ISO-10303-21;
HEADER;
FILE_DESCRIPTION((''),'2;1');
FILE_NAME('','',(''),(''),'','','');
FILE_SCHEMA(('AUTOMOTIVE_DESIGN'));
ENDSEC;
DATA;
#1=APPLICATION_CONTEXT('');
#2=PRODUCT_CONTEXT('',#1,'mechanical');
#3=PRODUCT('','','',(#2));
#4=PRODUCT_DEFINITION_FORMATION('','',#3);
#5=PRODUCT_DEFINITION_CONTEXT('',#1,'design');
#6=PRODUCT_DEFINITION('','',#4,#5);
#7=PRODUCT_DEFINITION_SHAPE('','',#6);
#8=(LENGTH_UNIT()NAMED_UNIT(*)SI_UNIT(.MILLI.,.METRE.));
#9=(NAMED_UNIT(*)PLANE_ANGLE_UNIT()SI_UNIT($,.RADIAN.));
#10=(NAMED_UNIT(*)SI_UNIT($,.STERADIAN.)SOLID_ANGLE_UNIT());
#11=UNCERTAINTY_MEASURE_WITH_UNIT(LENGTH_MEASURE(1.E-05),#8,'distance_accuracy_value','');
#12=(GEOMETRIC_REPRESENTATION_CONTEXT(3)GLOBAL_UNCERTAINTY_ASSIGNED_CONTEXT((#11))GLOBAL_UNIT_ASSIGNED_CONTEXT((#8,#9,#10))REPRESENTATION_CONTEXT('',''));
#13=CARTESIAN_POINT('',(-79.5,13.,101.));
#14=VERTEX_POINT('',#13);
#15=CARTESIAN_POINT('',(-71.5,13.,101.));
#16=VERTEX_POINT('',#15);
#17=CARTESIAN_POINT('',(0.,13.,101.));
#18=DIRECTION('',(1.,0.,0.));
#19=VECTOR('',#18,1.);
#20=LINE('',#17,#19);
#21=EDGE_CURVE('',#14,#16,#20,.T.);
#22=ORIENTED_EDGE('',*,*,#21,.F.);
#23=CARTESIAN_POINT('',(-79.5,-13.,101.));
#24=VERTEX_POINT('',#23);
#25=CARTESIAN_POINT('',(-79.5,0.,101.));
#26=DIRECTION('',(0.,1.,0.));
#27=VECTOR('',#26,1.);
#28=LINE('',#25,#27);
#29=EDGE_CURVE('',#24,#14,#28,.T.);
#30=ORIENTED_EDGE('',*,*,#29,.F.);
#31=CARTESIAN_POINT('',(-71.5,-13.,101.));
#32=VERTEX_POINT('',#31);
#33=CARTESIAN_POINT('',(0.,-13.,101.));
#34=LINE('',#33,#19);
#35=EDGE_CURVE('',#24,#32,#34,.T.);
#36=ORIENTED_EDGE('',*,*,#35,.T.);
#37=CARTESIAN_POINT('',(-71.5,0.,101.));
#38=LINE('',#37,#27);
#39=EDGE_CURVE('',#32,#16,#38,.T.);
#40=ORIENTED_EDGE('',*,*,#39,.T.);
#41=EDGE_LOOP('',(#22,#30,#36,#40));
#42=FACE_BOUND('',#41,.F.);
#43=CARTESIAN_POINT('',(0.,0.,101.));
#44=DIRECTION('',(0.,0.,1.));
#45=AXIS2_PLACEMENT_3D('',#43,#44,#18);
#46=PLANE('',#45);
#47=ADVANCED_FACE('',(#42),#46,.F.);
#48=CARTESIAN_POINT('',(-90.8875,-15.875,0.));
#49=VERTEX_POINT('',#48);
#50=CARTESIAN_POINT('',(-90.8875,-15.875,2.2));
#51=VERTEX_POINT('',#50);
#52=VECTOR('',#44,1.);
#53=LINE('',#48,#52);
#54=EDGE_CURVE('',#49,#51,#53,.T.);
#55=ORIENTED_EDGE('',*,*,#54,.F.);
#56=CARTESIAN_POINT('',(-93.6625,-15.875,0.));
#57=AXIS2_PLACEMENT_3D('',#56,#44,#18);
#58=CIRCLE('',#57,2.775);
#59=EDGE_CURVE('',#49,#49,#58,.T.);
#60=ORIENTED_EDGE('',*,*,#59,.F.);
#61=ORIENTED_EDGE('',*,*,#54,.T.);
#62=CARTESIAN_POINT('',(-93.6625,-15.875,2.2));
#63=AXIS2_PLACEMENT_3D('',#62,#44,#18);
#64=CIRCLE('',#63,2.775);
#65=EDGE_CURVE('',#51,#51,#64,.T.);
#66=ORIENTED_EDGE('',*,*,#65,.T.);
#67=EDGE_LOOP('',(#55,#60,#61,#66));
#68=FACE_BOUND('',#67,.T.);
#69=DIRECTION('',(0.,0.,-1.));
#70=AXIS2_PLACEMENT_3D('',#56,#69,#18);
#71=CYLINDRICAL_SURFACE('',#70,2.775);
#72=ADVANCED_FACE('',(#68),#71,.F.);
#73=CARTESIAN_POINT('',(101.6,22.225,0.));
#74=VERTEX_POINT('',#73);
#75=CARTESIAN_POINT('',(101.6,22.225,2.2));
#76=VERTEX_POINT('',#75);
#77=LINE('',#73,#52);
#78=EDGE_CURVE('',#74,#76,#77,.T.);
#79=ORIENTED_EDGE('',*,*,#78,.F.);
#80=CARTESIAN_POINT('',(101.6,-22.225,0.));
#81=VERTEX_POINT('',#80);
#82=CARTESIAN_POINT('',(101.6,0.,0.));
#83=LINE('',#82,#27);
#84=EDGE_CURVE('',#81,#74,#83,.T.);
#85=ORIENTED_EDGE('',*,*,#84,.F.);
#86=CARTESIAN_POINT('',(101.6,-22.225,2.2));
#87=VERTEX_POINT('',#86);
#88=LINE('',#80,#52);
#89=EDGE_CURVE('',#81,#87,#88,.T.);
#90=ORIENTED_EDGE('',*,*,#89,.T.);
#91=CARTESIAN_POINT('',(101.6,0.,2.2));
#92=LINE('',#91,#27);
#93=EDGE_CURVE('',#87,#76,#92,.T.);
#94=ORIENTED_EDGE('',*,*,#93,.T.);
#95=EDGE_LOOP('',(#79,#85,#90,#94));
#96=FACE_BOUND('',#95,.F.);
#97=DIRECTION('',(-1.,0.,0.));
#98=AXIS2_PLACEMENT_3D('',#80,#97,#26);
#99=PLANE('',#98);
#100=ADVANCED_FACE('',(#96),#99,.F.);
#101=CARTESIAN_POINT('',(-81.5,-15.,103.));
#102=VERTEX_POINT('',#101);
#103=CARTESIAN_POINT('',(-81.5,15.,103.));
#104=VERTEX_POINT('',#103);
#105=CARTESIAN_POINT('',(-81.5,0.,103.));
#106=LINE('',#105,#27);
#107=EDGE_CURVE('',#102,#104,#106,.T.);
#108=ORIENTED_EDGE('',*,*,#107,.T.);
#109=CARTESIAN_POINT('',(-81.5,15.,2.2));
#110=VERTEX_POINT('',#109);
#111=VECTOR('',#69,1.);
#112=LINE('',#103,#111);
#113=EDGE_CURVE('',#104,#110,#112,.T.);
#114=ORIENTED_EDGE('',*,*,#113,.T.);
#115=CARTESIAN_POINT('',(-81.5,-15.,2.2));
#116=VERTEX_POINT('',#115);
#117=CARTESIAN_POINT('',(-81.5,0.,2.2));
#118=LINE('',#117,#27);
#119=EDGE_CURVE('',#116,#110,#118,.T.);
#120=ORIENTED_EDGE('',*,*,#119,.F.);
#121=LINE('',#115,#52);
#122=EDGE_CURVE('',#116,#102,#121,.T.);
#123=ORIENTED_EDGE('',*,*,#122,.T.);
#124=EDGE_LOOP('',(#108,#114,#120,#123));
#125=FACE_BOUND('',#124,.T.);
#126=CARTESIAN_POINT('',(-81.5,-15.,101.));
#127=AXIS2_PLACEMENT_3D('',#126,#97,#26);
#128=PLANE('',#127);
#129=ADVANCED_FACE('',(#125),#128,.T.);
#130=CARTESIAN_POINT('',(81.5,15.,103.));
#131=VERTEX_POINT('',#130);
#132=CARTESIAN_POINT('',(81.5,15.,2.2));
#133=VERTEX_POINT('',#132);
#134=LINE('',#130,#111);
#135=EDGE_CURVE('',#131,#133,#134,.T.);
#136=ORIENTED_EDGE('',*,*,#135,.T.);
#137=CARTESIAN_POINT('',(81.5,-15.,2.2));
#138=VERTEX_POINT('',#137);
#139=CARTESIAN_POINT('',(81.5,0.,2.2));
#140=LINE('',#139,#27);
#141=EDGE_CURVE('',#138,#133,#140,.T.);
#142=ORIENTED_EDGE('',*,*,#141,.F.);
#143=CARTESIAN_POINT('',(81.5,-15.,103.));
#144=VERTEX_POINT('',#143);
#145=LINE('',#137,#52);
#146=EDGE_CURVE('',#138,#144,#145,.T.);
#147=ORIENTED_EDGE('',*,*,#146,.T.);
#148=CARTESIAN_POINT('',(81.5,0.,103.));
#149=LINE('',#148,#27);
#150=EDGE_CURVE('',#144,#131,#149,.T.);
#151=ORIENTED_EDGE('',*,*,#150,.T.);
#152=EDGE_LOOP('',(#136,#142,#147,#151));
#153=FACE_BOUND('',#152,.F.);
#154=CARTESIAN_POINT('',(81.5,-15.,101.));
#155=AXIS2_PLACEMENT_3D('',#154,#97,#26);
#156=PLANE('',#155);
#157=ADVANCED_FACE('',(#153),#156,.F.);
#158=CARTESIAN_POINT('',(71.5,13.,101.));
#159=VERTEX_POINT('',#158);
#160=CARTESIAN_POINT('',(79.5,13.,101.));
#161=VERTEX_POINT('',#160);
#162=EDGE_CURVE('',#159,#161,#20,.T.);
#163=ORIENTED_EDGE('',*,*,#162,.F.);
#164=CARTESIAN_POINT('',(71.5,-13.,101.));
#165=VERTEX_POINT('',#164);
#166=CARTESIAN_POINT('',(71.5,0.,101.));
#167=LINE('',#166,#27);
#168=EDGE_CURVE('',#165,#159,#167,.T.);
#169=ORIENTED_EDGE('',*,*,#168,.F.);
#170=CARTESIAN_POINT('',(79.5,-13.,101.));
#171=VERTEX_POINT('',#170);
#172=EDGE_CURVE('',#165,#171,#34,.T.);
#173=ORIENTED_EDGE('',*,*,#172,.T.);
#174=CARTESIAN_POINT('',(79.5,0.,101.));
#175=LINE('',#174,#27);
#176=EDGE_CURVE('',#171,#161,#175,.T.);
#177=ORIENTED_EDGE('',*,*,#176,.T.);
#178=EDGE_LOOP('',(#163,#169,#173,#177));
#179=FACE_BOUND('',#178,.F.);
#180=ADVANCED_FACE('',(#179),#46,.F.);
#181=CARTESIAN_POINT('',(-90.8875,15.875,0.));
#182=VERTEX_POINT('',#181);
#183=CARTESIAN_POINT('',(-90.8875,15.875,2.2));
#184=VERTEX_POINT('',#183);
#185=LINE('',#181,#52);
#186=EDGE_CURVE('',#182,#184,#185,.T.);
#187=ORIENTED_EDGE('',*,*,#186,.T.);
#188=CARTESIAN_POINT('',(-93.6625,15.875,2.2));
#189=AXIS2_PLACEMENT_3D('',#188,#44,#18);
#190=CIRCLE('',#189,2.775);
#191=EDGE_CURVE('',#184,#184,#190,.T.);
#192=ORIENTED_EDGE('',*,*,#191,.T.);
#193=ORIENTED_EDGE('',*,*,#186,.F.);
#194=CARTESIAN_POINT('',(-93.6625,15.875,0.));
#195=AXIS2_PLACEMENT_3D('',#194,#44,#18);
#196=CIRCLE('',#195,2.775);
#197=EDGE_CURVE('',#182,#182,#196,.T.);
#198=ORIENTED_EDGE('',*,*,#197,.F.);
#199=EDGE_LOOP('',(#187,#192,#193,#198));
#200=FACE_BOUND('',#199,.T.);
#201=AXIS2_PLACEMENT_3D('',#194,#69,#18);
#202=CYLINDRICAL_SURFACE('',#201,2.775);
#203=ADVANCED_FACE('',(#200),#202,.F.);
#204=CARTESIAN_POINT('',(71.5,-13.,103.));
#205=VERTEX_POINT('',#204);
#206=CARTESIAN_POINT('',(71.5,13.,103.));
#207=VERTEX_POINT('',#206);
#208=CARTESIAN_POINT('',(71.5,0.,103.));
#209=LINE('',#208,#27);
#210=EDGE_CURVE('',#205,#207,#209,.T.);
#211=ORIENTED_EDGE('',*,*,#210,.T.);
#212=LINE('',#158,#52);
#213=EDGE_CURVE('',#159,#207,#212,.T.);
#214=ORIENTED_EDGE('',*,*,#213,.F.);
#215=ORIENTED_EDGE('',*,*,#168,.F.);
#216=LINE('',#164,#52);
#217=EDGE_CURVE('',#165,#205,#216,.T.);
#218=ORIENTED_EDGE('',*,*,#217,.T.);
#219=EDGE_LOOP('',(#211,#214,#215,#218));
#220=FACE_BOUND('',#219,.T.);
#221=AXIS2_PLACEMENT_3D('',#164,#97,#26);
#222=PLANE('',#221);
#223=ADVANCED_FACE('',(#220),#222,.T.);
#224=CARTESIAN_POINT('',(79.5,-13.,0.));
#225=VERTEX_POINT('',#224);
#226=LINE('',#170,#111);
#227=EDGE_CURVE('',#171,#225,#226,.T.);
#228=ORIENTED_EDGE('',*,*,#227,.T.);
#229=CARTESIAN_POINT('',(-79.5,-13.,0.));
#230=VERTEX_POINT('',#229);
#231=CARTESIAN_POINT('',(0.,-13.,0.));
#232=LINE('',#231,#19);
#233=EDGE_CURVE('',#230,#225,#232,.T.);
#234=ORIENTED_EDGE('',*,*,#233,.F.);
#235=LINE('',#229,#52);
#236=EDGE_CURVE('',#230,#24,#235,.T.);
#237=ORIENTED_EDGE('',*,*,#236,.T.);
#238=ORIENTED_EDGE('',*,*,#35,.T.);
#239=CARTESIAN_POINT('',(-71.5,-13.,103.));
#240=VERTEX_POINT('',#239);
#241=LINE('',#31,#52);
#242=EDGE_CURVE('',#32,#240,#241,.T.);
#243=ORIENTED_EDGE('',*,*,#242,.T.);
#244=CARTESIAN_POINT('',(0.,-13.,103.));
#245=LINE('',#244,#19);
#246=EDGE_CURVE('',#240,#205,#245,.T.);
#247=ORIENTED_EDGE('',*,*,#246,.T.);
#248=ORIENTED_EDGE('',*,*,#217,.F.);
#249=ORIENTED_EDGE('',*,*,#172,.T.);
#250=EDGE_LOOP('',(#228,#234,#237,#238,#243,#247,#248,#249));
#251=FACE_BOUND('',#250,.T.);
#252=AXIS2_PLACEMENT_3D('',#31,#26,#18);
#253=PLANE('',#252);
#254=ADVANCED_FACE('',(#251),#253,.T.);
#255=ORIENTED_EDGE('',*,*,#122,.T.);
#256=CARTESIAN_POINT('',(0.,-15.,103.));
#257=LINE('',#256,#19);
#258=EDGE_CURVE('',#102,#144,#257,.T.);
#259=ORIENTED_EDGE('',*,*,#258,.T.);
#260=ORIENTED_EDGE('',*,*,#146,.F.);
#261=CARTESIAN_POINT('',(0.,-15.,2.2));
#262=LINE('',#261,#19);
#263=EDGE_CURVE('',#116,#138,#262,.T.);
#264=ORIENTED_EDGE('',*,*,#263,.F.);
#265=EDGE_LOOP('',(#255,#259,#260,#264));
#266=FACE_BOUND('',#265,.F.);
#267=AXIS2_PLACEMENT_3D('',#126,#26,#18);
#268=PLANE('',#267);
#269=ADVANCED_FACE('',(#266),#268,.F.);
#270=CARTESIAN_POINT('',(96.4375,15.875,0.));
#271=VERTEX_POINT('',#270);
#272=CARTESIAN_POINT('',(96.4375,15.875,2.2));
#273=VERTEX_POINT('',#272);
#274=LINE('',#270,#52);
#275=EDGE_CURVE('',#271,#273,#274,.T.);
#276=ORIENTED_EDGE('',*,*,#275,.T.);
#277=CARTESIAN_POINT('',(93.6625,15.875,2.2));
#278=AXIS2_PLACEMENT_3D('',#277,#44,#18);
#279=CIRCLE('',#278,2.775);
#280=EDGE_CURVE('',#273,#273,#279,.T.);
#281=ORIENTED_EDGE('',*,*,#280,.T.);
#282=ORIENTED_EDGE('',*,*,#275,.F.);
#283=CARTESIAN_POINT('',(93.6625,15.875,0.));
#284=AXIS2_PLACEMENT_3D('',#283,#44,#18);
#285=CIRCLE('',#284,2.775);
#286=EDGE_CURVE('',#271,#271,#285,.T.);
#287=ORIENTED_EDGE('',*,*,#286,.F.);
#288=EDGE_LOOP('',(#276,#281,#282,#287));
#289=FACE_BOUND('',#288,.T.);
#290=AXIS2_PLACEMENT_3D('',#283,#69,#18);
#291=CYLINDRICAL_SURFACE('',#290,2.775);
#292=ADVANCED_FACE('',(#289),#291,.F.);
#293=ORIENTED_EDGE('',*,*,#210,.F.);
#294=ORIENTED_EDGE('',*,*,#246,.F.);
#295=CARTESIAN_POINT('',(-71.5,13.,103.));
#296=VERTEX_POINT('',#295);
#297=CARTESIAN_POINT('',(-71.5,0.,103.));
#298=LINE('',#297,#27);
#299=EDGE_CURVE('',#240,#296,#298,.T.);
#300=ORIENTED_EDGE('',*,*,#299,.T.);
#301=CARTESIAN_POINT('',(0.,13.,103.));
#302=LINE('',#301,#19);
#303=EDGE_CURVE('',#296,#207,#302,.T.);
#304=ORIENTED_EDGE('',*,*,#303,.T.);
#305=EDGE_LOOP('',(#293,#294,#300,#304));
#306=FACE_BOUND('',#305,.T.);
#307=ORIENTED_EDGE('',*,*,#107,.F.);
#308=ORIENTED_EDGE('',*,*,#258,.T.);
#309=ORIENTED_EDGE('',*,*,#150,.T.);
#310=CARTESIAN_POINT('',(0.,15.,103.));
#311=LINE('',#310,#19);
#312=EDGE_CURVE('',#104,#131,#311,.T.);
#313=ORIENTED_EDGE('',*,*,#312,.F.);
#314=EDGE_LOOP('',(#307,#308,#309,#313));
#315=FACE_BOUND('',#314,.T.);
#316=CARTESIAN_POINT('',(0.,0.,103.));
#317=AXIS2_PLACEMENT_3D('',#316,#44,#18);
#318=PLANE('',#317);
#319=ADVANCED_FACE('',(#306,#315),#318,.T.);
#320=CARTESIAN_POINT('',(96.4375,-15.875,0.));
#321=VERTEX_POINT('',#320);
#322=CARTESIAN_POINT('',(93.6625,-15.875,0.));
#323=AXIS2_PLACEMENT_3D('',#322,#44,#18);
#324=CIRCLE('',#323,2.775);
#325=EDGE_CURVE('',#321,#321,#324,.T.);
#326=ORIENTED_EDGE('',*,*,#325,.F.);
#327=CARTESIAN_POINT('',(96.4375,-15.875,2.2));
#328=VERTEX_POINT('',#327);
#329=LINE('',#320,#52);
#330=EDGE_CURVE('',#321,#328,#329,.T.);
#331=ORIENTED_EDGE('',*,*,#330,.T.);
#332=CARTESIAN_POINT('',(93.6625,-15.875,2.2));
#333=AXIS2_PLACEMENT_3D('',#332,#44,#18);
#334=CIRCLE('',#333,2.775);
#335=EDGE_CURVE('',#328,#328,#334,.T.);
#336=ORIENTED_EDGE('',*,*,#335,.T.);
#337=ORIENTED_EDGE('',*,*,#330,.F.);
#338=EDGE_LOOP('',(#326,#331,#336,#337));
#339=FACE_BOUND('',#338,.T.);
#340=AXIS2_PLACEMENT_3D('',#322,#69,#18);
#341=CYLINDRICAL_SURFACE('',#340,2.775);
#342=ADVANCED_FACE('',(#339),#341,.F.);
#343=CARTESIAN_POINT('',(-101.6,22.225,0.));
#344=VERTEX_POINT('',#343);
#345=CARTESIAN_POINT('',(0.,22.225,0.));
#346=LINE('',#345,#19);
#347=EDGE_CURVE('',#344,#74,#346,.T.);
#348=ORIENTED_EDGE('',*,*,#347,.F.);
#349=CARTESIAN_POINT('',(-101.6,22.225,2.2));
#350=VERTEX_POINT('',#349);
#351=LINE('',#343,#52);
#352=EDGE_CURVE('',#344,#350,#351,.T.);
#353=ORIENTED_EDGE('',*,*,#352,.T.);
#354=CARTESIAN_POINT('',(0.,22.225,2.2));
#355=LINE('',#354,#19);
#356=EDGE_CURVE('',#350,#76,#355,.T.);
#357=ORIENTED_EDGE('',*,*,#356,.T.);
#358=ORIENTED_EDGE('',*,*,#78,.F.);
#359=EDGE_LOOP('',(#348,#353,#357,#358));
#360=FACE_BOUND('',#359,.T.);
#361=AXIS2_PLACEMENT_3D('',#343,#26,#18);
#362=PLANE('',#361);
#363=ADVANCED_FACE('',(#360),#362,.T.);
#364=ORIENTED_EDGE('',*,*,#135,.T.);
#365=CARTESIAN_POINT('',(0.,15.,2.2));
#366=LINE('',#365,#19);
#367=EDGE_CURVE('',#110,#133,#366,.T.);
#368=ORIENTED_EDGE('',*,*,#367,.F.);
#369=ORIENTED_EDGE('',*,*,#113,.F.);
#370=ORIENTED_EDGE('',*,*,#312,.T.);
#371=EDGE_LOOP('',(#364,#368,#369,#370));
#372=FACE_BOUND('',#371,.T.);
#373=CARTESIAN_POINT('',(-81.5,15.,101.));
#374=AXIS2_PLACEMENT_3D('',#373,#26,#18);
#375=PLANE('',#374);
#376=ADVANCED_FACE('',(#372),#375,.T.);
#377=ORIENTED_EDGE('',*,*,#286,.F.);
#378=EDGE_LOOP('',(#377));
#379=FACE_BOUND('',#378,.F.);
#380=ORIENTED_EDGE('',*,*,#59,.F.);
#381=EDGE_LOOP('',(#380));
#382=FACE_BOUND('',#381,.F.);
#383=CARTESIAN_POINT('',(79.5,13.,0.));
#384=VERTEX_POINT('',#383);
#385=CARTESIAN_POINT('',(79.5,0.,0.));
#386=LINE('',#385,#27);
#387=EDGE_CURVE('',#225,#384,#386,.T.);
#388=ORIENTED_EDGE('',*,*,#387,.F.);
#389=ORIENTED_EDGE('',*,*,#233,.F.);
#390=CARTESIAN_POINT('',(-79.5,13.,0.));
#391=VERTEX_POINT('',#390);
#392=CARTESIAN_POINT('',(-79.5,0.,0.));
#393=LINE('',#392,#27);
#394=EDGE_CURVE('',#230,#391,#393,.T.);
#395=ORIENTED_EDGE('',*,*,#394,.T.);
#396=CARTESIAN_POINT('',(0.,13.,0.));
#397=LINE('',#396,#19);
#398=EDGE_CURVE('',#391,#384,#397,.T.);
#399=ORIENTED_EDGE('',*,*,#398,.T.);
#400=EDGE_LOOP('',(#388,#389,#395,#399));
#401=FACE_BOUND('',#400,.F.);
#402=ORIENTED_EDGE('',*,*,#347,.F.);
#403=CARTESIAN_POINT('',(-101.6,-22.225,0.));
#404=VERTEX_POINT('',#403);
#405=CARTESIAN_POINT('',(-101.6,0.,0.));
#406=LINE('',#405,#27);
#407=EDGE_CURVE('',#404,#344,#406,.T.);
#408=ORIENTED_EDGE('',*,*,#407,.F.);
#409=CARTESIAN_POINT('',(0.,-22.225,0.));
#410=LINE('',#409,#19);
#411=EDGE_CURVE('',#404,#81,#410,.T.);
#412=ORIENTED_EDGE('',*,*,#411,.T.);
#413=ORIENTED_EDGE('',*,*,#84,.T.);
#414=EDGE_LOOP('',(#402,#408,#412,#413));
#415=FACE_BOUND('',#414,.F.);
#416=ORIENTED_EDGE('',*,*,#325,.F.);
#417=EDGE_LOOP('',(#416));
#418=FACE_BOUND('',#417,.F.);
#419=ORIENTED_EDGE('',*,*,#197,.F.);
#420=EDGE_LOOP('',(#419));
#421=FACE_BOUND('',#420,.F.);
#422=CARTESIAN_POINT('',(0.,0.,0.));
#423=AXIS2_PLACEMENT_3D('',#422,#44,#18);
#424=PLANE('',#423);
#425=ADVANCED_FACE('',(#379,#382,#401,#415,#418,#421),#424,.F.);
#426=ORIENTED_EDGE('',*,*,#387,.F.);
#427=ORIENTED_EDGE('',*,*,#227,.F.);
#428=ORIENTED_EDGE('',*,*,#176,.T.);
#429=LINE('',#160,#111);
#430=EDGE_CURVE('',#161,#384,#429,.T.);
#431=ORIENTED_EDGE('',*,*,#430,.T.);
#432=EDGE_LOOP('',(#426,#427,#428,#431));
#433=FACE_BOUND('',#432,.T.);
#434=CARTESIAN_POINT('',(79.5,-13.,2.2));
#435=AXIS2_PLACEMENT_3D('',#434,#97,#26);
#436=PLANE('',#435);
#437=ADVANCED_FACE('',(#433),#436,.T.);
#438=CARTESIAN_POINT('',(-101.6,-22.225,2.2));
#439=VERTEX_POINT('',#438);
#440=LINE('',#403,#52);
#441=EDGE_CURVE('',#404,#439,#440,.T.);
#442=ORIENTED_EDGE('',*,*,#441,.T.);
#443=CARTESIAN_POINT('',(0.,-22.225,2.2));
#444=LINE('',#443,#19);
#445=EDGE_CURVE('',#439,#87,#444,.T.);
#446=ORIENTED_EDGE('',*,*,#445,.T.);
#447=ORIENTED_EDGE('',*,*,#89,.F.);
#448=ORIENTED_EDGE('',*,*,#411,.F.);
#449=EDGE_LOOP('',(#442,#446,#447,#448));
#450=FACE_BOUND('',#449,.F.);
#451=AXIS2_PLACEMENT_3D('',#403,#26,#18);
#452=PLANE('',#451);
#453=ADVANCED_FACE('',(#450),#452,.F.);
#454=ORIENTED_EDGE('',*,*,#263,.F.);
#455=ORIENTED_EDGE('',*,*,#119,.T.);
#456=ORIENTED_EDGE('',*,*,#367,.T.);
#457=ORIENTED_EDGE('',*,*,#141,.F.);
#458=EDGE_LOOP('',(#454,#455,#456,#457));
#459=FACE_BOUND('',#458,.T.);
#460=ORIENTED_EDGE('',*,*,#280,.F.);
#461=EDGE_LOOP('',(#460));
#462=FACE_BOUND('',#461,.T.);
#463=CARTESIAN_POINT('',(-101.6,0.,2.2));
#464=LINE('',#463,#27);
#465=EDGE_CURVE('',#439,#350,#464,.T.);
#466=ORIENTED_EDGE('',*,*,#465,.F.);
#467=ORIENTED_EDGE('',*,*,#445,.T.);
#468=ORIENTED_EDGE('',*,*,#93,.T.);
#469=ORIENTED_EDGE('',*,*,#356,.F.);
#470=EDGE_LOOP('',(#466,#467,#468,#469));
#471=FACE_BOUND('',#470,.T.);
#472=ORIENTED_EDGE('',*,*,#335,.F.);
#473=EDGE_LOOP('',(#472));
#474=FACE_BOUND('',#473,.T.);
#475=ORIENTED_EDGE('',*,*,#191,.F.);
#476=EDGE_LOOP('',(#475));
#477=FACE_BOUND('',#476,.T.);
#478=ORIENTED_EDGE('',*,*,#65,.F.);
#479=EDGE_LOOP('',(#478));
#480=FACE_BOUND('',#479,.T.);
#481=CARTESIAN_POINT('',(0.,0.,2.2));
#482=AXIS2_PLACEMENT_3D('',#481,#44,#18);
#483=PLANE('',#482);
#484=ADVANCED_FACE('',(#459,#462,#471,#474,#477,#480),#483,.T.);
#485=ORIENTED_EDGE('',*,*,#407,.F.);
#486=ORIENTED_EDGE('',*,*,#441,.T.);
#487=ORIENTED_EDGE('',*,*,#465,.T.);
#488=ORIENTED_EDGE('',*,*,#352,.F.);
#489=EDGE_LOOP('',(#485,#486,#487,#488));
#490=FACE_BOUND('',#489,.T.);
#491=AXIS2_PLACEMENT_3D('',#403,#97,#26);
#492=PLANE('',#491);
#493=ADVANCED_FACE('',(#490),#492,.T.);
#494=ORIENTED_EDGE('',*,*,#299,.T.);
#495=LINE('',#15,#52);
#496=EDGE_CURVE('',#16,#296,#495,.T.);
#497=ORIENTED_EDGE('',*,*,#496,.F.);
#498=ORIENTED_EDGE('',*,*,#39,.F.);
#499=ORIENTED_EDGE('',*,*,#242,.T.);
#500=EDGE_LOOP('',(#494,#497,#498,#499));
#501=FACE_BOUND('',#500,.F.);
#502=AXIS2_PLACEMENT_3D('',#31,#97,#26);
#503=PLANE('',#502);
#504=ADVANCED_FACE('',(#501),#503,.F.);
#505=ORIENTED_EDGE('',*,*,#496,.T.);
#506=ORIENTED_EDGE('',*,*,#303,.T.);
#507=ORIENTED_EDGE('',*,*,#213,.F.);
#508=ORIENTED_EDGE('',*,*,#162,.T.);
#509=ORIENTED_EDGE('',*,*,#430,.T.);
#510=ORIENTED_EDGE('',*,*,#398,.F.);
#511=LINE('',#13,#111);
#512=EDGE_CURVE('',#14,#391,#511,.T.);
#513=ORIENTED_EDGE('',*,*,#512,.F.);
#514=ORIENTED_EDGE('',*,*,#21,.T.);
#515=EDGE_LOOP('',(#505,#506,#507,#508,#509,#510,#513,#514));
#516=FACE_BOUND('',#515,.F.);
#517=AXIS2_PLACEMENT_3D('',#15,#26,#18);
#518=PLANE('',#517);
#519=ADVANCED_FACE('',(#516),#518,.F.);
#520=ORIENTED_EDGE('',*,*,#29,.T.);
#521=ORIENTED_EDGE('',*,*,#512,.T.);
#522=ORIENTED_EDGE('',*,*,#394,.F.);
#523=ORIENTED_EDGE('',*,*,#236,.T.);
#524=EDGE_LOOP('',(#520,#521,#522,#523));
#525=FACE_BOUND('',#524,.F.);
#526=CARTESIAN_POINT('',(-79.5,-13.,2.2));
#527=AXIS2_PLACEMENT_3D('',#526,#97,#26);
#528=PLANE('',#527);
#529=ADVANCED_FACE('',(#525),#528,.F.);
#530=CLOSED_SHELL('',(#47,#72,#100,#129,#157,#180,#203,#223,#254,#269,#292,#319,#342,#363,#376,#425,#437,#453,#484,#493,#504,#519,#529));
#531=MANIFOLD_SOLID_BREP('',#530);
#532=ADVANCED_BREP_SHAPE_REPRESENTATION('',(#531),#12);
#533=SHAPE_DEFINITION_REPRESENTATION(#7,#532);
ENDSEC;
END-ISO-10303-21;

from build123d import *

# Parameters (mm, degrees)
SKETCH_W      = 203.2
SKETCH_H      = 44.45
SKETCH_R      = 2.775
SKETCH_W_2    = 159
SKETCH_H_2    = 26
PAD_DEPTH     = 2.2
SKETCH001_W   = 163
SKETCH001_H   = 30
SKETCH001_W_2 = 159
SKETCH001_H_2 = 26
PAD001_DEPTH  = 98.8
SKETCH002_W   = 163
SKETCH002_H   = 30
SKETCH002_W_2 = 143
SKETCH002_H_2 = 26
PAD002_DEPTH  = 2


with BuildPart() as part:
    # Sketch → Pad (new body)
    with BuildSketch(Plane.XY):
        Rectangle(SKETCH_W, SKETCH_H)
        with Locations((-93.6625, 15.875)):
            Circle(SKETCH_R, mode=Mode.SUBTRACT)
        with Locations((-93.6625, -15.875)):
            Circle(SKETCH_R, mode=Mode.SUBTRACT)
        with Locations((93.6625, 15.875)):
            Circle(SKETCH_R, mode=Mode.SUBTRACT)
        with Locations((93.6625, -15.875)):
            Circle(SKETCH_R, mode=Mode.SUBTRACT)
        Rectangle(SKETCH_W_2, SKETCH_H_2, mode=Mode.SUBTRACT)
    extrude(amount=PAD_DEPTH)

    # Sketch001 (on Face14 of Pad) → Pad001 (join)
    with BuildSketch(Plane.XY.offset(2.2)):
        Rectangle(SKETCH001_W, SKETCH001_H)
        Rectangle(SKETCH001_W_2, SKETCH001_H_2, mode=Mode.SUBTRACT)
    extrude(amount=PAD001_DEPTH)

    # Sketch002 (on Face15 of Pad001) → Pad002 (join)
    with BuildSketch(Plane.XY.offset(101)):
        Rectangle(SKETCH002_W, SKETCH002_H)
        Rectangle(SKETCH002_W_2, SKETCH002_H_2, mode=Mode.SUBTRACT)
    extrude(amount=PAD002_DEPTH)


solid = part.part
